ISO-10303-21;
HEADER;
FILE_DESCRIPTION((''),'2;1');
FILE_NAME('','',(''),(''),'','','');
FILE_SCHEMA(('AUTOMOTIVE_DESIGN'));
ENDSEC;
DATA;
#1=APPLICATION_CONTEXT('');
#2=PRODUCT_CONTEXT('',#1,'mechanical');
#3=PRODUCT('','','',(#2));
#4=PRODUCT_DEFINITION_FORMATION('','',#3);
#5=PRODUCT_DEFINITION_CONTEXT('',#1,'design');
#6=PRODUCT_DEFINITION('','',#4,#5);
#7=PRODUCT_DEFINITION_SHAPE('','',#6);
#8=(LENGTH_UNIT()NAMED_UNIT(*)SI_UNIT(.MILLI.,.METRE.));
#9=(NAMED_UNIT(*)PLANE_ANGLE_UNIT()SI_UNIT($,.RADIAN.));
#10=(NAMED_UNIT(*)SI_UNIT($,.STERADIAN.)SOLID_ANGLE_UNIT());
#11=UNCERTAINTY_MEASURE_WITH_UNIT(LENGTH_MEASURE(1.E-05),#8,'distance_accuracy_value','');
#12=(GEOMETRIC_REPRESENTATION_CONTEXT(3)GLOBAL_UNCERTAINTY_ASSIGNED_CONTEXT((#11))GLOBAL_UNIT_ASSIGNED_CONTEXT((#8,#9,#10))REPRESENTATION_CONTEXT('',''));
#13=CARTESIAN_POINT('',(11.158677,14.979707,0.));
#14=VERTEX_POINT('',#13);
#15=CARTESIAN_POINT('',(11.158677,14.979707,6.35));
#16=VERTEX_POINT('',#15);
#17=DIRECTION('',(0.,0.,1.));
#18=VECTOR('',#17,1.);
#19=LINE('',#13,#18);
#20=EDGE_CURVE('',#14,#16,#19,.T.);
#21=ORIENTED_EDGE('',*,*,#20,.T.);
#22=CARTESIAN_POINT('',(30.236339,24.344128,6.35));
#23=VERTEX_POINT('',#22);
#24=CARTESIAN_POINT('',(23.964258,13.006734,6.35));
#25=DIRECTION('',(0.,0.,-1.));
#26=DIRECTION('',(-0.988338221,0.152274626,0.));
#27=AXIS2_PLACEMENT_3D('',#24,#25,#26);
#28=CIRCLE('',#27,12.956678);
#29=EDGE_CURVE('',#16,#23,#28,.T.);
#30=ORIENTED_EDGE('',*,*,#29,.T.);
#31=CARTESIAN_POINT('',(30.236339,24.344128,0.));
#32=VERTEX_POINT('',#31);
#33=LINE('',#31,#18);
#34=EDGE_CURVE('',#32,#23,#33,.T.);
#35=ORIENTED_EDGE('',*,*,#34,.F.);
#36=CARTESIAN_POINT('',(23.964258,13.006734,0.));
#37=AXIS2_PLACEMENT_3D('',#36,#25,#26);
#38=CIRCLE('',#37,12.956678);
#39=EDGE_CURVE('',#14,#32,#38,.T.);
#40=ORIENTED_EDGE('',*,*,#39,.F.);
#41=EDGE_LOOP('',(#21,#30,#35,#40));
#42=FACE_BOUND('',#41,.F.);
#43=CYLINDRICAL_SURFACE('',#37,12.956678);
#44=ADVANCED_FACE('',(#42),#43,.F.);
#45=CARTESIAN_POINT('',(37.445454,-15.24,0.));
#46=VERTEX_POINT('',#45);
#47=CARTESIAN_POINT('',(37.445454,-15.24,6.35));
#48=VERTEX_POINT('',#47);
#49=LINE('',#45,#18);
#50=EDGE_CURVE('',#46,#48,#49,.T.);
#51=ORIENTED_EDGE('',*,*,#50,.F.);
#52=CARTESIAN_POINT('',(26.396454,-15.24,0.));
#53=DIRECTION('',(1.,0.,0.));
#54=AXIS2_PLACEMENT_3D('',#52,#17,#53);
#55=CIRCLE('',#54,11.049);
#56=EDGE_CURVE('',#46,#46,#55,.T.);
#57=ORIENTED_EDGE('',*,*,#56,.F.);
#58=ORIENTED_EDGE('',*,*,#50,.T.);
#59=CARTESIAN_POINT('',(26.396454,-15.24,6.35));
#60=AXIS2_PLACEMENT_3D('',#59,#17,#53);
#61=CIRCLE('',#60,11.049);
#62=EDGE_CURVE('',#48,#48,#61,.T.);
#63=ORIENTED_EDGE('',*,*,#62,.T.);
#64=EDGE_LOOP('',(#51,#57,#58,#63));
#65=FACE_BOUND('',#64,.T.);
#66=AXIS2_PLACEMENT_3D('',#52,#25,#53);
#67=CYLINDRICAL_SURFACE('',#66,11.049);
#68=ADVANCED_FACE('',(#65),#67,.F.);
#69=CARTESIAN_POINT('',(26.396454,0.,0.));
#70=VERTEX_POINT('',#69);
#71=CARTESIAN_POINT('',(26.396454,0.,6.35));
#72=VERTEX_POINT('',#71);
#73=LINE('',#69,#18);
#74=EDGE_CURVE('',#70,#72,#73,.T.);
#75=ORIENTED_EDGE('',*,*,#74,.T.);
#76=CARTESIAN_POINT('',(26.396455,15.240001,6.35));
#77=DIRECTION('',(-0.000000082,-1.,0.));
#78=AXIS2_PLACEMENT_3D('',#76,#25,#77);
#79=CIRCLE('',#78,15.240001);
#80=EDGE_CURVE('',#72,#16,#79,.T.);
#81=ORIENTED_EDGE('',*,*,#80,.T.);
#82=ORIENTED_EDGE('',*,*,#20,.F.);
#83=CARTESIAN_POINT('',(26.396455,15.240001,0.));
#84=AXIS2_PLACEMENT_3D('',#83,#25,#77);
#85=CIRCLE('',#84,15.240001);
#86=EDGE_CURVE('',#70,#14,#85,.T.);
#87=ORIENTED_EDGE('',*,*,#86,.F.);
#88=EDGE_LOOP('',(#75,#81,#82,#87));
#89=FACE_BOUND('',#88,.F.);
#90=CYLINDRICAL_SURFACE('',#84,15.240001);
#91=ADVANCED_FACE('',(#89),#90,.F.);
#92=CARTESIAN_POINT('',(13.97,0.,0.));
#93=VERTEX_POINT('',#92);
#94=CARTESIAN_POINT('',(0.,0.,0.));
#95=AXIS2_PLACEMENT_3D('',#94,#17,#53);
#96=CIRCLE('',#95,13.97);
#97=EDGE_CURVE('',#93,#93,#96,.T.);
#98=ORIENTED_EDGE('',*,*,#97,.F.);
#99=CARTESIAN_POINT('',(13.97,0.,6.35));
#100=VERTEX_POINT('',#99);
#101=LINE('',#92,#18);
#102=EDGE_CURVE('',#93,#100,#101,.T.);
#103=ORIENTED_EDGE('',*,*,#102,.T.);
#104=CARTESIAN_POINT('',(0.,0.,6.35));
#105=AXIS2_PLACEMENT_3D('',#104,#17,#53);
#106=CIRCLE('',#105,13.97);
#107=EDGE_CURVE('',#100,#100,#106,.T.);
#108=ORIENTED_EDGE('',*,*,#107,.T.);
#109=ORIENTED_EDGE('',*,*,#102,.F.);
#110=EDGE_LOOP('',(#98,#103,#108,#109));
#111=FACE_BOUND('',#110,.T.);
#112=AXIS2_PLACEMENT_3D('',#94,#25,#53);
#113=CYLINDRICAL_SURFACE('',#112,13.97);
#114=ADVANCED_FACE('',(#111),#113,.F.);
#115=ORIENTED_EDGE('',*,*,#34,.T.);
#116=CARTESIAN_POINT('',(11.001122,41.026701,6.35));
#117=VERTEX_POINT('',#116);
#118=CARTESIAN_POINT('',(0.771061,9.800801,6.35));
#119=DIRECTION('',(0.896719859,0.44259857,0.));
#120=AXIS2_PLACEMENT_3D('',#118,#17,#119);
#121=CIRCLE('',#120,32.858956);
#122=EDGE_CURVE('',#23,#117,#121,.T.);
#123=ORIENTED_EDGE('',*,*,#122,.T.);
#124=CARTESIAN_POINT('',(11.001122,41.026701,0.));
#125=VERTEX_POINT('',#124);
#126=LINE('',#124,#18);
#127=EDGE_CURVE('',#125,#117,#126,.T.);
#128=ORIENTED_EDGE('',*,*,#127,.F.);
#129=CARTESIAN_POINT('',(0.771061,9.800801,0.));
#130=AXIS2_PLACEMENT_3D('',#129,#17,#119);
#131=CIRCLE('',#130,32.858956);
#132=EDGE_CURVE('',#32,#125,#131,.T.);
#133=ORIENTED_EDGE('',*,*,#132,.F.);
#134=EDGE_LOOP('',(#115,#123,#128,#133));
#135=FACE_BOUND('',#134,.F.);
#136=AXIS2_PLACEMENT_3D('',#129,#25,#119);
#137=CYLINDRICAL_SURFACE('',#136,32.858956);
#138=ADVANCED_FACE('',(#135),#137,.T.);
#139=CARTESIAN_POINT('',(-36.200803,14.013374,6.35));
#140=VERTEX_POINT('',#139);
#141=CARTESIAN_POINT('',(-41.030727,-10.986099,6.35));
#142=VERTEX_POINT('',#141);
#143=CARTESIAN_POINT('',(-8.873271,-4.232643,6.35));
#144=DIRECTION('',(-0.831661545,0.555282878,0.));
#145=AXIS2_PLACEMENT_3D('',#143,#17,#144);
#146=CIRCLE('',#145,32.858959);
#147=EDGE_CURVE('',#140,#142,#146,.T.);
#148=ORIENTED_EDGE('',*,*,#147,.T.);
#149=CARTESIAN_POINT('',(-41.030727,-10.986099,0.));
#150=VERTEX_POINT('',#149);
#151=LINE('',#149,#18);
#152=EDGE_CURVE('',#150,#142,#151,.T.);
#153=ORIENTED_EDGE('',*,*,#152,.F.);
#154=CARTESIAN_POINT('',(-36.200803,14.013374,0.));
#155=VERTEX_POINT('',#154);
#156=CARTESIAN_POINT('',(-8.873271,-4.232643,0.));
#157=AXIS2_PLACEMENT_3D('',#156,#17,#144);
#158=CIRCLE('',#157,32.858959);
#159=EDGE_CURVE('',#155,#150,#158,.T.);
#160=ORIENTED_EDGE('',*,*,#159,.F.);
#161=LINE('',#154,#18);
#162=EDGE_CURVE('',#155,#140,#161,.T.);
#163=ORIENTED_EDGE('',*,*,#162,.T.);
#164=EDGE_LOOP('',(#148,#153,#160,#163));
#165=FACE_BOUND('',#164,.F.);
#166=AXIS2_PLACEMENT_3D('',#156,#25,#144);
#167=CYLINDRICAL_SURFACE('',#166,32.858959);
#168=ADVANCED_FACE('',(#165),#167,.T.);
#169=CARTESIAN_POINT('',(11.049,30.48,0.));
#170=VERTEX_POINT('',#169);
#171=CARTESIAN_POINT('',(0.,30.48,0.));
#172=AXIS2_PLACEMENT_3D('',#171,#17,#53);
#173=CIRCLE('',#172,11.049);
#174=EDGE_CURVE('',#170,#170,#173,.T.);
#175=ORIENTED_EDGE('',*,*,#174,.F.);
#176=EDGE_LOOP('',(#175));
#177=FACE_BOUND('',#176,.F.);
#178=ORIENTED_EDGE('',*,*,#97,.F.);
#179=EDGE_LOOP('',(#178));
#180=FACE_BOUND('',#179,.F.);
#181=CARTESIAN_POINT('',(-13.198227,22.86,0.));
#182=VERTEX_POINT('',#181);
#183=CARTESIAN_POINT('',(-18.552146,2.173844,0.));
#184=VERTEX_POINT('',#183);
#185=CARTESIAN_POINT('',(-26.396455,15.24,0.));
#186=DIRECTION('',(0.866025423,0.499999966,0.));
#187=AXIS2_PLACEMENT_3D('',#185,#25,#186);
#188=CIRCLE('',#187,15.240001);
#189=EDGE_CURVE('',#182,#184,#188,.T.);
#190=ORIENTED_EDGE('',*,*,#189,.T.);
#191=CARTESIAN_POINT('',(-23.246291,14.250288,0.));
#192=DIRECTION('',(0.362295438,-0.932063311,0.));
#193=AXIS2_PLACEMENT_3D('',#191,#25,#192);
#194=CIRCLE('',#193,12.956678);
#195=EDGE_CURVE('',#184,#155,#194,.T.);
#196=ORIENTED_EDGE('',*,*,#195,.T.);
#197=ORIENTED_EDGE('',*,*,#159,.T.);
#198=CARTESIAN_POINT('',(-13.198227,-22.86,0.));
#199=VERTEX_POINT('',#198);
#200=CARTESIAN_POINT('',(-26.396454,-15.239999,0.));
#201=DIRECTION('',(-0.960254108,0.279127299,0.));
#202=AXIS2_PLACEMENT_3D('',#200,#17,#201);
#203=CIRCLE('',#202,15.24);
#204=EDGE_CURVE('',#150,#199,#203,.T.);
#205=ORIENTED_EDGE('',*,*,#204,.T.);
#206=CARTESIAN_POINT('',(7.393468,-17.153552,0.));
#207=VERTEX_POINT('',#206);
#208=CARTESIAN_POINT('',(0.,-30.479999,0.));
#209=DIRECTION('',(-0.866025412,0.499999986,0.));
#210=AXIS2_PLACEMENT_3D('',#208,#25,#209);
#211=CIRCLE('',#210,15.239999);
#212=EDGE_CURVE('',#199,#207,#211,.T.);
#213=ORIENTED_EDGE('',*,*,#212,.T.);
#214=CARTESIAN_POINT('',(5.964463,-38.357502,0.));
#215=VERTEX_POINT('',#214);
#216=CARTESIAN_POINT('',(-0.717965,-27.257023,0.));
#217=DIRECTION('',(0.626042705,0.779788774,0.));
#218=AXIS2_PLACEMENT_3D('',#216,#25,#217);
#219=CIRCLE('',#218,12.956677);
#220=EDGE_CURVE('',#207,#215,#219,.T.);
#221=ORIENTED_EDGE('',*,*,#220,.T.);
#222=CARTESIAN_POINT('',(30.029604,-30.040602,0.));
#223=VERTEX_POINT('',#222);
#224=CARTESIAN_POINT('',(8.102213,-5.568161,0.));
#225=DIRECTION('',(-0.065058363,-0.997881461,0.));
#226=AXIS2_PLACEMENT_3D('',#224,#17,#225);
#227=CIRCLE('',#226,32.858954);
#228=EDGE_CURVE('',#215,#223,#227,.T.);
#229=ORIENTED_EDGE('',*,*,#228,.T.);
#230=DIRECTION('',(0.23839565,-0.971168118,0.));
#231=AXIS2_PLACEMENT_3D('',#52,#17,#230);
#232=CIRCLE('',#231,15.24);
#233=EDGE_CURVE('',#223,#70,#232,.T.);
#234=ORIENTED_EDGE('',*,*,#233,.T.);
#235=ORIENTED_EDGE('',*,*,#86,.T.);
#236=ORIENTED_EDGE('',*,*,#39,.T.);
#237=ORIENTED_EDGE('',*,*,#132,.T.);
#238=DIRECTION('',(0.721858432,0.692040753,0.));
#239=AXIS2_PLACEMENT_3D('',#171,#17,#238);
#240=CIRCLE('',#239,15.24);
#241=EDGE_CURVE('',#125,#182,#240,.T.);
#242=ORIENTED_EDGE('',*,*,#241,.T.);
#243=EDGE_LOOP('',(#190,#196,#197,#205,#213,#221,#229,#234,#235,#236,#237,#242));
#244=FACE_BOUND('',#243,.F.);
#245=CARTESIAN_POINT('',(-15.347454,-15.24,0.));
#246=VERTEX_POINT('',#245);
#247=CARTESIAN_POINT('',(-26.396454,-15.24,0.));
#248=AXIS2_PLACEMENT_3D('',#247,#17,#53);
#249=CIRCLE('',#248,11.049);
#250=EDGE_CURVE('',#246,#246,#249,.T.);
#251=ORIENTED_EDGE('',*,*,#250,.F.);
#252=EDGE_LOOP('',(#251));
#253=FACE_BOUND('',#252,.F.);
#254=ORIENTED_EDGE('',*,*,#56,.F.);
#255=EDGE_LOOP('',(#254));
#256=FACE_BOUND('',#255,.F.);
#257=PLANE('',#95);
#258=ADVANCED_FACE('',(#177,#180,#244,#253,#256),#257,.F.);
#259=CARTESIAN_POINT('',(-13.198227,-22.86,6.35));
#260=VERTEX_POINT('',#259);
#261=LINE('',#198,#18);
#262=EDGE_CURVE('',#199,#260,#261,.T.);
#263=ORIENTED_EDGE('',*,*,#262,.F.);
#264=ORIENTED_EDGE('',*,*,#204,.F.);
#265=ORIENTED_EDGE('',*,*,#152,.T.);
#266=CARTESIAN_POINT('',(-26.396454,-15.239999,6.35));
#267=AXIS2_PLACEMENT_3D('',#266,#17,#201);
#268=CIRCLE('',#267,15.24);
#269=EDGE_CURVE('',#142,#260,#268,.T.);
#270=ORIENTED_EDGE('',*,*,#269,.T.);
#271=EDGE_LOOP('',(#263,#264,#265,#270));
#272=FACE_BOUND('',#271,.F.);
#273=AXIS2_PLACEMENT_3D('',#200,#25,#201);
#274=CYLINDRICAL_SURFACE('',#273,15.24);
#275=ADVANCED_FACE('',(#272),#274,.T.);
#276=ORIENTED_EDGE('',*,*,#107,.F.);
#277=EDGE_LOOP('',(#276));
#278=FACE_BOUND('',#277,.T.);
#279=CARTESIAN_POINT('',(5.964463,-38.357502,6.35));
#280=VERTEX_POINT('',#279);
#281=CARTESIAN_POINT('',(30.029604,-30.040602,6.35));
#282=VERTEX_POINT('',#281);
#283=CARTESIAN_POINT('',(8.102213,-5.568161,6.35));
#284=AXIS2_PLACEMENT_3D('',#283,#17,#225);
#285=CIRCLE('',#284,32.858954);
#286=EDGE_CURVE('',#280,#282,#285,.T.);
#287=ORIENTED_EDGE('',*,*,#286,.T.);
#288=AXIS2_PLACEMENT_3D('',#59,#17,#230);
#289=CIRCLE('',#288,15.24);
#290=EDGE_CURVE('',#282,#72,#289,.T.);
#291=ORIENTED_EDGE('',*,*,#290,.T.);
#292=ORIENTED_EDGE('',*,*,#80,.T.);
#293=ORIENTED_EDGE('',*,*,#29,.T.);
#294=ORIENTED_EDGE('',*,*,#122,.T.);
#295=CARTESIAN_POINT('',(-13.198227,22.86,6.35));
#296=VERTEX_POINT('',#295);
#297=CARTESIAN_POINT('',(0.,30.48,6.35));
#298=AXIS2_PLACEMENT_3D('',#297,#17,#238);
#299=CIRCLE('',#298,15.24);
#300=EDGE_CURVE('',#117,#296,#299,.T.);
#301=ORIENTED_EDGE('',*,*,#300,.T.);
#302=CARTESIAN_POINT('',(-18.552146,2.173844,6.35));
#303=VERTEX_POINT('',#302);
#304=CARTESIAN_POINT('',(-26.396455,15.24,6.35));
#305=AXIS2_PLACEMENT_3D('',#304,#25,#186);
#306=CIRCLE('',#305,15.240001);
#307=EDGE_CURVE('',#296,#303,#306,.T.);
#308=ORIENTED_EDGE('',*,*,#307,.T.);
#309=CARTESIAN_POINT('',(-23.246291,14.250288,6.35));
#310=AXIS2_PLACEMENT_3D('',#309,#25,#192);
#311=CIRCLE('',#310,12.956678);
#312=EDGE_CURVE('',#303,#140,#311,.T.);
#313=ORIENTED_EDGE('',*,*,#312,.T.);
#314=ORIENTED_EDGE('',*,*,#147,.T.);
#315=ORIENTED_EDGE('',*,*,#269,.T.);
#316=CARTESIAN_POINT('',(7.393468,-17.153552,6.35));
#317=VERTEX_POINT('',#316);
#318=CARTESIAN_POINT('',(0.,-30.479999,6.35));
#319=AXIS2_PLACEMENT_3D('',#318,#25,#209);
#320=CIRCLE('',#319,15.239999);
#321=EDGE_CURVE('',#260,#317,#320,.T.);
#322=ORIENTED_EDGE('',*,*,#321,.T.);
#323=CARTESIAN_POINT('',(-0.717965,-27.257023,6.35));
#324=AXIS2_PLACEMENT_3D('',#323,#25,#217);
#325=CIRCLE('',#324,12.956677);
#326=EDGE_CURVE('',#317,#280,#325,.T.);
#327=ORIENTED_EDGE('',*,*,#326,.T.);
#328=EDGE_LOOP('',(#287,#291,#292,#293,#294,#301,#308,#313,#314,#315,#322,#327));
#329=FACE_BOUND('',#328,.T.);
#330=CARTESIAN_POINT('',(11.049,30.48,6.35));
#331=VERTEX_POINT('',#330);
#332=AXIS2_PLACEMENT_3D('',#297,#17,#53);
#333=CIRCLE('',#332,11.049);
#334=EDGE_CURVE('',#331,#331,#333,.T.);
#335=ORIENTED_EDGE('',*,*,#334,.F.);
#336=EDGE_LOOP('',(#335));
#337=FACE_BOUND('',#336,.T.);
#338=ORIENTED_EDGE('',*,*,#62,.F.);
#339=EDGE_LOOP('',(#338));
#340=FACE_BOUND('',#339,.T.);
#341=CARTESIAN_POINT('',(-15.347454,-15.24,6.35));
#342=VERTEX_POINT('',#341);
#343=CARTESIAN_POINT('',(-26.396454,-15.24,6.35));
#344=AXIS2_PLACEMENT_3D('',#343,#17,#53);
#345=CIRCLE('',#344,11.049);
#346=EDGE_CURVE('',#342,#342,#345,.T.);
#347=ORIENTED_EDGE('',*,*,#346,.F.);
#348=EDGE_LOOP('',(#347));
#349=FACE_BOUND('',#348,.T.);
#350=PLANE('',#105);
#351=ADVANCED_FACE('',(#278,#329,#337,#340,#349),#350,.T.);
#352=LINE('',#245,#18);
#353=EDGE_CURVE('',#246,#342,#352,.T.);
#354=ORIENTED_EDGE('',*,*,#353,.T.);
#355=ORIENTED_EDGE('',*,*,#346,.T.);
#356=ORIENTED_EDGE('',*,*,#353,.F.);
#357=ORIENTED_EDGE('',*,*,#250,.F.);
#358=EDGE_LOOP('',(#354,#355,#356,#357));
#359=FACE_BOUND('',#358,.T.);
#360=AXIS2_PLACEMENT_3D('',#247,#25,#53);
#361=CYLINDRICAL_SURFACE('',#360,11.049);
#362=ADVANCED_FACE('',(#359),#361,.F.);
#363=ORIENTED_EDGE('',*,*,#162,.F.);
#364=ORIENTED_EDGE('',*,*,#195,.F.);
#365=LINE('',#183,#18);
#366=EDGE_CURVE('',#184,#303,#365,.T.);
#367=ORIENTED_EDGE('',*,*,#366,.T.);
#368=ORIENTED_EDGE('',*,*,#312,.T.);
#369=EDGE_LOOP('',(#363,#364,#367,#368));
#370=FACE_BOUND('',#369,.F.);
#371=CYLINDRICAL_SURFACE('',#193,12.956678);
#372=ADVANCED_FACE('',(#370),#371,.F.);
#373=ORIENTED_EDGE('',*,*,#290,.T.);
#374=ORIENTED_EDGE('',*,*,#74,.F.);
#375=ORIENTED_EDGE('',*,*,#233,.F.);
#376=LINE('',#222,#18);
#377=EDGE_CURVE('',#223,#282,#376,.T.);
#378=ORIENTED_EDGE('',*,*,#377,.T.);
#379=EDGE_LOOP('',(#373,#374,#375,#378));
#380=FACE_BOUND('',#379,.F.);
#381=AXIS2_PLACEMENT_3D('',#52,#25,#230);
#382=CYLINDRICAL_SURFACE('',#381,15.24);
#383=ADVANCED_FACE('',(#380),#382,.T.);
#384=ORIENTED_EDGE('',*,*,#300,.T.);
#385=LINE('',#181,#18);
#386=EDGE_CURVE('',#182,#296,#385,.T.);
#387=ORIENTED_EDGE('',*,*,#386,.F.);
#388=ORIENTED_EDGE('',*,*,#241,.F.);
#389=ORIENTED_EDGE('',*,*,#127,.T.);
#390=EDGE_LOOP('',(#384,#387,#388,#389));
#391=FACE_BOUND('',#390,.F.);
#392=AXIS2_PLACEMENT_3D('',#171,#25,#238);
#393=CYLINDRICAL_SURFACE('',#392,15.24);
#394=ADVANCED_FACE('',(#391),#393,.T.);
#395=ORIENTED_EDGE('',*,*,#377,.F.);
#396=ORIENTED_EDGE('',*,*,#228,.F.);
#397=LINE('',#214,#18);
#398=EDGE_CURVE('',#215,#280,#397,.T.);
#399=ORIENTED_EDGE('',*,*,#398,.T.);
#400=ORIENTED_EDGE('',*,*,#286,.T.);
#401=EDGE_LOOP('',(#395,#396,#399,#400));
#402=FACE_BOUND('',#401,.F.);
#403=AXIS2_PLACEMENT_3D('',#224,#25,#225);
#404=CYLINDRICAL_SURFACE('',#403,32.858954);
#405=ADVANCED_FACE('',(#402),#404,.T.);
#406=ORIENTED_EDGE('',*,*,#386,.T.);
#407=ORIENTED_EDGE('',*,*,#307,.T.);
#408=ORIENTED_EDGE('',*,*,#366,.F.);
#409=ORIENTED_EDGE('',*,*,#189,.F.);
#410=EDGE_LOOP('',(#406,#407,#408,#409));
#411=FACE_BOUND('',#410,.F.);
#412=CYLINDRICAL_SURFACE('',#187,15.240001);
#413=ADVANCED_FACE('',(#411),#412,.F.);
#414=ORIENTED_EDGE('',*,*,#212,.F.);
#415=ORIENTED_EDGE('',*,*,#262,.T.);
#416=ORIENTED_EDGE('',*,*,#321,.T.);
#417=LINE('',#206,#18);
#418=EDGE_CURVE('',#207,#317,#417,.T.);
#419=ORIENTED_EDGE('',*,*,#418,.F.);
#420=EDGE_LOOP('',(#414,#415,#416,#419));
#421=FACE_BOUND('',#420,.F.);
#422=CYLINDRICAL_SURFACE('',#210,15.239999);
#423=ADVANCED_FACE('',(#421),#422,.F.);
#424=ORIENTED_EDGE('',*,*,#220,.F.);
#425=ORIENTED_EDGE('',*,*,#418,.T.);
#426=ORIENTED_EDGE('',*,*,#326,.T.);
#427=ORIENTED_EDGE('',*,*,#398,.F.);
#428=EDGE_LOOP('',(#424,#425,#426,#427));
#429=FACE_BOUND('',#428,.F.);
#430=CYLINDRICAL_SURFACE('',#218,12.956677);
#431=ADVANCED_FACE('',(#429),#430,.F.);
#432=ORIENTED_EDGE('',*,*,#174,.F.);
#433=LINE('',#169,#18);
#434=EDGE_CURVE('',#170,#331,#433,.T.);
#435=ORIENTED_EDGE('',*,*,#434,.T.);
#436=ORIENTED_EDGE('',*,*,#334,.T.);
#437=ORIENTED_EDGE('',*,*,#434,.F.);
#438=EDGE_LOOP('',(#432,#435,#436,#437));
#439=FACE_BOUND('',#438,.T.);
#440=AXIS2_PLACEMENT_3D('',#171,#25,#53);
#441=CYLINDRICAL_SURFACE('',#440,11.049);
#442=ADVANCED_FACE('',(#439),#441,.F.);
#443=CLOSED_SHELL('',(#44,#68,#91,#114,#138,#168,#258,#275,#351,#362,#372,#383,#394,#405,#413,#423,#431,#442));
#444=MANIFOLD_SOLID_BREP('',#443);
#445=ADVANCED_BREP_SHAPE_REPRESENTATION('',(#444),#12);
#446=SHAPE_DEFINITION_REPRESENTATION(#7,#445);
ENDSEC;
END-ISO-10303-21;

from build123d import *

# Parameters (mm, degrees)
F0_R     = 11.049
F0_R_2   = 13.97
F1_DEPTH = 6.35


with BuildPart() as f1:
    # F0 (on Top) → F1 (new body)
    with BuildSketch(Plane.XY):
        with BuildLine():
            ThreePointArc((30.236339, 24.344128), (22.300275, 34.624256), (11.001122, 41.026701))
            ThreePointArc((11.001122, 41.026701), (-9.14954, 42.667843), (-13.198227, 22.86))
            ThreePointArc((-13.198227, 22.86), (-11.642596, 11.421458), (-18.552146, 2.173844))
            ThreePointArc((-18.552146, 2.173844), (-30.464465, 3.49048), (-36.200803, 14.013374))
            ThreePointArc((-36.200803, 14.013374), (-41.135623, 2.000477), (-41.030727, -10.986099))
            ThreePointArc((-41.030727, -10.986099), (-32.376666, -29.257655), (-13.198227, -22.86))
            ThreePointArc((-13.198227, -22.86), (-4.069975, -15.793513), (7.393468, -17.153552))
            ThreePointArc((7.393468, -17.153552), (12.209388, -28.12824), (5.964463, -38.357502))
            ThreePointArc((5.964463, -38.357502), (18.835348, -36.624733), (30.029604, -30.040602))
            ThreePointArc((30.029604, -30.040602), (41.526206, -13.410188), (26.396454, 0))
            ThreePointArc((26.396454, 0), (15.712571, 4.372055), (11.158677, 14.979707))
            ThreePointArc((11.158677, 14.979707), (18.255077, 24.63776), (30.236339, 24.344128))
        make_face()
        with Locations((-26.396454, -15.24)):
            Circle(F0_R, mode=Mode.SUBTRACT)
        Circle(F0_R_2, mode=Mode.SUBTRACT)
        with Locations((26.396454, -15.24)):
            Circle(F0_R, mode=Mode.SUBTRACT)
        with Locations((0, 30.48)):
            Circle(F0_R, mode=Mode.SUBTRACT)
    extrude(amount=F1_DEPTH)


solid = f1.part
